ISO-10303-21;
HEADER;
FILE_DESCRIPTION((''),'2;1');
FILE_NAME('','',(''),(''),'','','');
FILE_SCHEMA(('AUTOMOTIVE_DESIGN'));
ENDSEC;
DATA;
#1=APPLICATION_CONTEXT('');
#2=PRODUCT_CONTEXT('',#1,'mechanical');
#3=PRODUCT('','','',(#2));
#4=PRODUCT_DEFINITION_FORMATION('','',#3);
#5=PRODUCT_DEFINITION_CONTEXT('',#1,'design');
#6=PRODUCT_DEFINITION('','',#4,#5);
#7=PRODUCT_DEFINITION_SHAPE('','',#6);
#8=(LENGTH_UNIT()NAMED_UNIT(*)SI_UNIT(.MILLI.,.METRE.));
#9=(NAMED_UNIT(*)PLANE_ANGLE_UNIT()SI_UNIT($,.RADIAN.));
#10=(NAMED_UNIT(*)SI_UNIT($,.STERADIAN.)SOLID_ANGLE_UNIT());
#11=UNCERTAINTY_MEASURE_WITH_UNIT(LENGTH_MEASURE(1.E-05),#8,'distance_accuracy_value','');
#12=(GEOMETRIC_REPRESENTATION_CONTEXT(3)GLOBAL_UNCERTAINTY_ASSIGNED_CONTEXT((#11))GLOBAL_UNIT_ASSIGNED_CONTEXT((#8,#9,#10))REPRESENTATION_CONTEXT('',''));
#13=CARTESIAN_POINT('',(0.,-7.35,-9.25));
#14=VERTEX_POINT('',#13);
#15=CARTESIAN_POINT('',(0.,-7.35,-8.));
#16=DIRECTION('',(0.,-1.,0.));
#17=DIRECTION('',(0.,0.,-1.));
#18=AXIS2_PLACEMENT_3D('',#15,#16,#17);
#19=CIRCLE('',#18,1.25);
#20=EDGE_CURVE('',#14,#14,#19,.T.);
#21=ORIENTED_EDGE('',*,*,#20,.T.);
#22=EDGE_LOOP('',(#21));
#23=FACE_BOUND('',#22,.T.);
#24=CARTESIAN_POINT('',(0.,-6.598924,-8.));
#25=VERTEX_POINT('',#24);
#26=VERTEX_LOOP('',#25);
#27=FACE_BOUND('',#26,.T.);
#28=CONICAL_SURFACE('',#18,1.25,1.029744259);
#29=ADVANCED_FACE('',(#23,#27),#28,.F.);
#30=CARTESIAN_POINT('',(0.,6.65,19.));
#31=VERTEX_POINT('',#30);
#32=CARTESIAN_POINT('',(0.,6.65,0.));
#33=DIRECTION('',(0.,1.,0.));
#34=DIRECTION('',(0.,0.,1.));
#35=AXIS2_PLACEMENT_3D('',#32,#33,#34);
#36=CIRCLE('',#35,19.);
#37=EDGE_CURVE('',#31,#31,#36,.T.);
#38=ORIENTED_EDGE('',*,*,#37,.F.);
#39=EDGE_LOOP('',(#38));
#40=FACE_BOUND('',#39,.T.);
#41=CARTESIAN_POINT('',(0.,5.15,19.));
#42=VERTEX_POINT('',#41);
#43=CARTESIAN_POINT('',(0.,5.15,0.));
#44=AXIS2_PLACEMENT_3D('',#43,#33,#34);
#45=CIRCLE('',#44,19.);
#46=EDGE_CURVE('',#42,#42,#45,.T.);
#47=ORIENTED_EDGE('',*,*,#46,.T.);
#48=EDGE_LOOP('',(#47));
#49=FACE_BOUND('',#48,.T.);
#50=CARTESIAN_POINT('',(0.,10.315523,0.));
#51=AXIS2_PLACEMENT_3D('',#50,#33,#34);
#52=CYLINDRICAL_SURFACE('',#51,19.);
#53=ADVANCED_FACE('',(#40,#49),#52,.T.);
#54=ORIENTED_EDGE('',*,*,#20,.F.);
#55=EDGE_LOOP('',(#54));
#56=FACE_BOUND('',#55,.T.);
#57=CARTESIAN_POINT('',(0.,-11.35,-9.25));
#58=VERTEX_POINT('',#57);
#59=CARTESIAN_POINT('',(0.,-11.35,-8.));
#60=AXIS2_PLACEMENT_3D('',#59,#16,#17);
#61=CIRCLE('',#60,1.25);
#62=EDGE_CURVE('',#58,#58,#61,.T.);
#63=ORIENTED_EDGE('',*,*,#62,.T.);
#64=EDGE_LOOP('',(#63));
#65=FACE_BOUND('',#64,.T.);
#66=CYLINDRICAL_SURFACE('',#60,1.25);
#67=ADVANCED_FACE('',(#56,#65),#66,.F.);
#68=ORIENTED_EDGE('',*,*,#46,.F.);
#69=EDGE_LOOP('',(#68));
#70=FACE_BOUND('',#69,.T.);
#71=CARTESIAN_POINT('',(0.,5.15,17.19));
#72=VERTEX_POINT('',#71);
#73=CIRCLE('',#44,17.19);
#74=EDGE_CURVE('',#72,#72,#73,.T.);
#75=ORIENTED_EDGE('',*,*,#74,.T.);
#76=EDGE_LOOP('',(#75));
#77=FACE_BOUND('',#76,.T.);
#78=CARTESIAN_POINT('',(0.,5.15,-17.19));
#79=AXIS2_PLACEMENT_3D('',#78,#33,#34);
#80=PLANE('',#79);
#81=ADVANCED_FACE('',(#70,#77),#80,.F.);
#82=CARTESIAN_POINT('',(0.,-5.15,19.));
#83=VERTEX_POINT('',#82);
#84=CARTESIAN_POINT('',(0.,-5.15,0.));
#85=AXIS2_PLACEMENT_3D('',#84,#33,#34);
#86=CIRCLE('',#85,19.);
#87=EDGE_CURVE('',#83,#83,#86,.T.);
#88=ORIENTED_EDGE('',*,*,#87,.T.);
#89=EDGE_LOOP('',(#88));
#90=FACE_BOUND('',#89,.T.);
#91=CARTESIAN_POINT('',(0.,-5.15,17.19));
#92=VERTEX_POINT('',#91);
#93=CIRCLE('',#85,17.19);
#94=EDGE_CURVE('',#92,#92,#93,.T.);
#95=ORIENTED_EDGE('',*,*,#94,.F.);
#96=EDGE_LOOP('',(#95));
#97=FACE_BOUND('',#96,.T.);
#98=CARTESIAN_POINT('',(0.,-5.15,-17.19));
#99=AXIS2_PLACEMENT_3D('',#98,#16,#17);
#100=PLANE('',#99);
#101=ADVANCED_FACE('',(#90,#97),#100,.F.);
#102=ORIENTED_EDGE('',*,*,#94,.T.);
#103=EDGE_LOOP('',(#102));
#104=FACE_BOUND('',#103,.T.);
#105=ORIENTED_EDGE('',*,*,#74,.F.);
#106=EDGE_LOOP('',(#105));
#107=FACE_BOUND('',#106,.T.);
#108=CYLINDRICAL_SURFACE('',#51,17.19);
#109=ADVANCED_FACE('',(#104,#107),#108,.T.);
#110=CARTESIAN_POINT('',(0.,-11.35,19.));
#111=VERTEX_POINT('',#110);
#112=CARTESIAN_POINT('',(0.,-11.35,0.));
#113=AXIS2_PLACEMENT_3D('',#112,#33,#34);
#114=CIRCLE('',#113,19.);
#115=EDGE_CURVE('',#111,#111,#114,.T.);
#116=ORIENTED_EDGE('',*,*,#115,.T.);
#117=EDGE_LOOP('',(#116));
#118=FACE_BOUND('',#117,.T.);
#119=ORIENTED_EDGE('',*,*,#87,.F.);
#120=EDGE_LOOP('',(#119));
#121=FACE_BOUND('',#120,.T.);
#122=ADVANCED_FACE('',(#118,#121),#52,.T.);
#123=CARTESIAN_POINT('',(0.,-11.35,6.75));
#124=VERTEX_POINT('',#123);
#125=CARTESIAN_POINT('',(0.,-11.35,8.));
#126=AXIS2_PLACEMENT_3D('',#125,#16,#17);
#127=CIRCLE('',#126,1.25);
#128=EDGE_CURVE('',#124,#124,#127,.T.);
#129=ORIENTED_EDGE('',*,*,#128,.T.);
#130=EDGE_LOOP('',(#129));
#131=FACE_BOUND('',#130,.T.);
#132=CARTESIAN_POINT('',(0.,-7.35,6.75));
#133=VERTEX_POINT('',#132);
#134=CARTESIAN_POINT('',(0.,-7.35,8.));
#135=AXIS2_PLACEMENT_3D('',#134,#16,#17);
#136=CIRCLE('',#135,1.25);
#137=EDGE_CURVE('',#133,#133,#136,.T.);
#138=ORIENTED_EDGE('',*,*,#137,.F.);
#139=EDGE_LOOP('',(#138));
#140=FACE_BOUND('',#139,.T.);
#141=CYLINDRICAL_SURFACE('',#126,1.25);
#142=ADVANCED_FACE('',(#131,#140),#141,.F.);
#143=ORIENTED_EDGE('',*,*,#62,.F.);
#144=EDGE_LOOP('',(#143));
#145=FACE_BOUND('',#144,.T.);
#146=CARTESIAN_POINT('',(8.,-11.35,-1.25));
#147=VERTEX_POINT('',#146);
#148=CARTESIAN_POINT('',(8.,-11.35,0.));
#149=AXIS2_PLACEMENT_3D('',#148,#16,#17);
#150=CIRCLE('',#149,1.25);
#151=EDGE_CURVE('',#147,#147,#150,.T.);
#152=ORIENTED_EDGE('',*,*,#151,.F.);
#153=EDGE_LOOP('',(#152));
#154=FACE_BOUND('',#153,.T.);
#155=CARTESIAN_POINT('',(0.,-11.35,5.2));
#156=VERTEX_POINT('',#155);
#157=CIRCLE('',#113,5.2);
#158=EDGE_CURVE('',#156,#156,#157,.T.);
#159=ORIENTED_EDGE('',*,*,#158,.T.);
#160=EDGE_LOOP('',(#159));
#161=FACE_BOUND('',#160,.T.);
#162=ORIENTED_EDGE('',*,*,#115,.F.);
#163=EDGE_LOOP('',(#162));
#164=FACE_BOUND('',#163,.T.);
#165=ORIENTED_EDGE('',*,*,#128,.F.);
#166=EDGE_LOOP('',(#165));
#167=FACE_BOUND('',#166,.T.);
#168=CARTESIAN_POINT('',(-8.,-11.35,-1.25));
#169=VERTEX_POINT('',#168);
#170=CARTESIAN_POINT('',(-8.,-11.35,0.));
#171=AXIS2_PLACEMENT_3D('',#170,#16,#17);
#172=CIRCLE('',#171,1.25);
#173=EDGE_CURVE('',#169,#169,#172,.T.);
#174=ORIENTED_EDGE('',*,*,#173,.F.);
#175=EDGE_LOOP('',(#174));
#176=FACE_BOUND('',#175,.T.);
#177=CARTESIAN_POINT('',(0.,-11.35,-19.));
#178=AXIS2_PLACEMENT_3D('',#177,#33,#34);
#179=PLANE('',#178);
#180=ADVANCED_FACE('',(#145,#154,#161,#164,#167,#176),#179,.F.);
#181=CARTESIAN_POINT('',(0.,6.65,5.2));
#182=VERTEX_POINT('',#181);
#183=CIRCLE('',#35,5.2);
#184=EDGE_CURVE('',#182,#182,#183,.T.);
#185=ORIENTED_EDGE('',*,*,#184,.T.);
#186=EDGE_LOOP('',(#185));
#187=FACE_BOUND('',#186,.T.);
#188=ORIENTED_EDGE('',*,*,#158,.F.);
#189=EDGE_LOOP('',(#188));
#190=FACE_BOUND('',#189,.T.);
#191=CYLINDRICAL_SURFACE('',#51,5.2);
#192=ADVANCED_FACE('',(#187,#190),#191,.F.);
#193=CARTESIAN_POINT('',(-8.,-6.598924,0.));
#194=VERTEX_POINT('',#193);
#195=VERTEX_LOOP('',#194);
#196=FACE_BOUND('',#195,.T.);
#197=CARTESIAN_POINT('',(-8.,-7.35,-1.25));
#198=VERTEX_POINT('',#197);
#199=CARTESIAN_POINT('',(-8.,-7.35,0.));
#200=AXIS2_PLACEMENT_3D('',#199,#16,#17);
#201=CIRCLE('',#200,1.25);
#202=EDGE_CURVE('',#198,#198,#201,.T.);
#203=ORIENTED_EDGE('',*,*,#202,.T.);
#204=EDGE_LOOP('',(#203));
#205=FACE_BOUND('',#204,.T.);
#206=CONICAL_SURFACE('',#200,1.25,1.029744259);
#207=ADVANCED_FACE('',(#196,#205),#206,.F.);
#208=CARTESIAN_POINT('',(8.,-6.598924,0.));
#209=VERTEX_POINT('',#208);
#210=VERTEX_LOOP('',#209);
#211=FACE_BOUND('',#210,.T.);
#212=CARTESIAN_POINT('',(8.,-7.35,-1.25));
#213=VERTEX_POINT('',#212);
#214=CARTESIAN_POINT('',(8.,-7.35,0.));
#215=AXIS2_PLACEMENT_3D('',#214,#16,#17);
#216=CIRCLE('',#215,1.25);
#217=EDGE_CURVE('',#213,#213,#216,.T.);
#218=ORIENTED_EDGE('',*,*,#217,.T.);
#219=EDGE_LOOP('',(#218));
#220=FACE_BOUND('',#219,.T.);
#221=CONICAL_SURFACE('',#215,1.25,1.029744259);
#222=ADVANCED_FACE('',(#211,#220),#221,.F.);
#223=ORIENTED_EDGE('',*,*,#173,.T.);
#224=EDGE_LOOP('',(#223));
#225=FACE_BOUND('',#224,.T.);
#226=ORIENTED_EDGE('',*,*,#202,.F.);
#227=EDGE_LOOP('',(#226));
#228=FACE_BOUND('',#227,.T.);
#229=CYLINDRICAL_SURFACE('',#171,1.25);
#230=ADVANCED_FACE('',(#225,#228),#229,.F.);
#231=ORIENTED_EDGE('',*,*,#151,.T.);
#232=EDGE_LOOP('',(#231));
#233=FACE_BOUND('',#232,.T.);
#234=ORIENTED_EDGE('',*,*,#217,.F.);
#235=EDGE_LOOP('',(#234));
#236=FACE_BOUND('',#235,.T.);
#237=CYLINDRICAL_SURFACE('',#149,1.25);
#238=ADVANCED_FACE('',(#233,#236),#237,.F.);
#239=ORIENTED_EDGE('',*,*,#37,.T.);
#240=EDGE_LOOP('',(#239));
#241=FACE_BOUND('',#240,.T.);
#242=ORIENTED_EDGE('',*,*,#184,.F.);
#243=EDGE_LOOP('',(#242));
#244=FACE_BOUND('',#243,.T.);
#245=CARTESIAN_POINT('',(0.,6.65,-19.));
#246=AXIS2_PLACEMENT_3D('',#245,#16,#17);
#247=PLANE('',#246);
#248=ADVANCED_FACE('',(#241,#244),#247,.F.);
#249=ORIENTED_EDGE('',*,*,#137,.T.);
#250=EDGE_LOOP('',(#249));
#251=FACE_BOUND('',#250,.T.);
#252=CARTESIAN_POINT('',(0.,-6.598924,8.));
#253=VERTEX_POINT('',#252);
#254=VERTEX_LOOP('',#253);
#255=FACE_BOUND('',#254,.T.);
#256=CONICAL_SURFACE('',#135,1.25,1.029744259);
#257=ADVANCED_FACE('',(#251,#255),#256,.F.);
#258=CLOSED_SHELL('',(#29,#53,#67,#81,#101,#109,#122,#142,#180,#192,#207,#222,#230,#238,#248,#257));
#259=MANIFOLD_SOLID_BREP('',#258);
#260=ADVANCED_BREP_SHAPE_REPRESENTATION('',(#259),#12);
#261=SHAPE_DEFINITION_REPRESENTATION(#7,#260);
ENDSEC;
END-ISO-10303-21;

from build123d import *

# Parameters (mm, degrees)
M3_TAPPED_HOLE1_D     = 2.5
M3_TAPPED_HOLE1_DEPTH = 4
M3_TAPPED_HOLE1_TIP   = 0.751075774


with BuildPart() as part:
    # Sketch1 → Revolve1 (revolve)
    with BuildSketch(Plane(origin=(0, 0, 0), x_dir=(0, 0, -1), z_dir=(1, 0, 0)), mode=Mode.PRIVATE) as revolve1_sk:
        Polygon((17.19, -5.15), (17.19, 5.15), (19, 5.15), (19, 6.65), (10.28, 6.65), (5.2, 6.65), (5.2, -6.65), (5.2, -11.35), (19, -11.35), (19, -5.15), align=None)
    revolve(revolve1_sk.sketch.rotate(Axis((0, 10.31552251, 0), (0, -1, 0)), 180), axis=Axis((0, 10.31552251, 0), (0, -1, 0)))

    # M3 Tapped Hole1
    with Locations(Plane(origin=(0, -11.35, 0), x_dir=(-1, 0, 0), z_dir=(0, -1, 0))):
        with Locations((0, -8), (-8, 0), (0, 8), (8, 0)):
            Hole(M3_TAPPED_HOLE1_D / 2, depth=M3_TAPPED_HOLE1_DEPTH)
            with Locations((0, 0, -(M3_TAPPED_HOLE1_DEPTH + M3_TAPPED_HOLE1_TIP / 2))):  # 118° drill point
                Cone(0, M3_TAPPED_HOLE1_D / 2, M3_TAPPED_HOLE1_TIP, mode=Mode.SUBTRACT)


solid = part.part
